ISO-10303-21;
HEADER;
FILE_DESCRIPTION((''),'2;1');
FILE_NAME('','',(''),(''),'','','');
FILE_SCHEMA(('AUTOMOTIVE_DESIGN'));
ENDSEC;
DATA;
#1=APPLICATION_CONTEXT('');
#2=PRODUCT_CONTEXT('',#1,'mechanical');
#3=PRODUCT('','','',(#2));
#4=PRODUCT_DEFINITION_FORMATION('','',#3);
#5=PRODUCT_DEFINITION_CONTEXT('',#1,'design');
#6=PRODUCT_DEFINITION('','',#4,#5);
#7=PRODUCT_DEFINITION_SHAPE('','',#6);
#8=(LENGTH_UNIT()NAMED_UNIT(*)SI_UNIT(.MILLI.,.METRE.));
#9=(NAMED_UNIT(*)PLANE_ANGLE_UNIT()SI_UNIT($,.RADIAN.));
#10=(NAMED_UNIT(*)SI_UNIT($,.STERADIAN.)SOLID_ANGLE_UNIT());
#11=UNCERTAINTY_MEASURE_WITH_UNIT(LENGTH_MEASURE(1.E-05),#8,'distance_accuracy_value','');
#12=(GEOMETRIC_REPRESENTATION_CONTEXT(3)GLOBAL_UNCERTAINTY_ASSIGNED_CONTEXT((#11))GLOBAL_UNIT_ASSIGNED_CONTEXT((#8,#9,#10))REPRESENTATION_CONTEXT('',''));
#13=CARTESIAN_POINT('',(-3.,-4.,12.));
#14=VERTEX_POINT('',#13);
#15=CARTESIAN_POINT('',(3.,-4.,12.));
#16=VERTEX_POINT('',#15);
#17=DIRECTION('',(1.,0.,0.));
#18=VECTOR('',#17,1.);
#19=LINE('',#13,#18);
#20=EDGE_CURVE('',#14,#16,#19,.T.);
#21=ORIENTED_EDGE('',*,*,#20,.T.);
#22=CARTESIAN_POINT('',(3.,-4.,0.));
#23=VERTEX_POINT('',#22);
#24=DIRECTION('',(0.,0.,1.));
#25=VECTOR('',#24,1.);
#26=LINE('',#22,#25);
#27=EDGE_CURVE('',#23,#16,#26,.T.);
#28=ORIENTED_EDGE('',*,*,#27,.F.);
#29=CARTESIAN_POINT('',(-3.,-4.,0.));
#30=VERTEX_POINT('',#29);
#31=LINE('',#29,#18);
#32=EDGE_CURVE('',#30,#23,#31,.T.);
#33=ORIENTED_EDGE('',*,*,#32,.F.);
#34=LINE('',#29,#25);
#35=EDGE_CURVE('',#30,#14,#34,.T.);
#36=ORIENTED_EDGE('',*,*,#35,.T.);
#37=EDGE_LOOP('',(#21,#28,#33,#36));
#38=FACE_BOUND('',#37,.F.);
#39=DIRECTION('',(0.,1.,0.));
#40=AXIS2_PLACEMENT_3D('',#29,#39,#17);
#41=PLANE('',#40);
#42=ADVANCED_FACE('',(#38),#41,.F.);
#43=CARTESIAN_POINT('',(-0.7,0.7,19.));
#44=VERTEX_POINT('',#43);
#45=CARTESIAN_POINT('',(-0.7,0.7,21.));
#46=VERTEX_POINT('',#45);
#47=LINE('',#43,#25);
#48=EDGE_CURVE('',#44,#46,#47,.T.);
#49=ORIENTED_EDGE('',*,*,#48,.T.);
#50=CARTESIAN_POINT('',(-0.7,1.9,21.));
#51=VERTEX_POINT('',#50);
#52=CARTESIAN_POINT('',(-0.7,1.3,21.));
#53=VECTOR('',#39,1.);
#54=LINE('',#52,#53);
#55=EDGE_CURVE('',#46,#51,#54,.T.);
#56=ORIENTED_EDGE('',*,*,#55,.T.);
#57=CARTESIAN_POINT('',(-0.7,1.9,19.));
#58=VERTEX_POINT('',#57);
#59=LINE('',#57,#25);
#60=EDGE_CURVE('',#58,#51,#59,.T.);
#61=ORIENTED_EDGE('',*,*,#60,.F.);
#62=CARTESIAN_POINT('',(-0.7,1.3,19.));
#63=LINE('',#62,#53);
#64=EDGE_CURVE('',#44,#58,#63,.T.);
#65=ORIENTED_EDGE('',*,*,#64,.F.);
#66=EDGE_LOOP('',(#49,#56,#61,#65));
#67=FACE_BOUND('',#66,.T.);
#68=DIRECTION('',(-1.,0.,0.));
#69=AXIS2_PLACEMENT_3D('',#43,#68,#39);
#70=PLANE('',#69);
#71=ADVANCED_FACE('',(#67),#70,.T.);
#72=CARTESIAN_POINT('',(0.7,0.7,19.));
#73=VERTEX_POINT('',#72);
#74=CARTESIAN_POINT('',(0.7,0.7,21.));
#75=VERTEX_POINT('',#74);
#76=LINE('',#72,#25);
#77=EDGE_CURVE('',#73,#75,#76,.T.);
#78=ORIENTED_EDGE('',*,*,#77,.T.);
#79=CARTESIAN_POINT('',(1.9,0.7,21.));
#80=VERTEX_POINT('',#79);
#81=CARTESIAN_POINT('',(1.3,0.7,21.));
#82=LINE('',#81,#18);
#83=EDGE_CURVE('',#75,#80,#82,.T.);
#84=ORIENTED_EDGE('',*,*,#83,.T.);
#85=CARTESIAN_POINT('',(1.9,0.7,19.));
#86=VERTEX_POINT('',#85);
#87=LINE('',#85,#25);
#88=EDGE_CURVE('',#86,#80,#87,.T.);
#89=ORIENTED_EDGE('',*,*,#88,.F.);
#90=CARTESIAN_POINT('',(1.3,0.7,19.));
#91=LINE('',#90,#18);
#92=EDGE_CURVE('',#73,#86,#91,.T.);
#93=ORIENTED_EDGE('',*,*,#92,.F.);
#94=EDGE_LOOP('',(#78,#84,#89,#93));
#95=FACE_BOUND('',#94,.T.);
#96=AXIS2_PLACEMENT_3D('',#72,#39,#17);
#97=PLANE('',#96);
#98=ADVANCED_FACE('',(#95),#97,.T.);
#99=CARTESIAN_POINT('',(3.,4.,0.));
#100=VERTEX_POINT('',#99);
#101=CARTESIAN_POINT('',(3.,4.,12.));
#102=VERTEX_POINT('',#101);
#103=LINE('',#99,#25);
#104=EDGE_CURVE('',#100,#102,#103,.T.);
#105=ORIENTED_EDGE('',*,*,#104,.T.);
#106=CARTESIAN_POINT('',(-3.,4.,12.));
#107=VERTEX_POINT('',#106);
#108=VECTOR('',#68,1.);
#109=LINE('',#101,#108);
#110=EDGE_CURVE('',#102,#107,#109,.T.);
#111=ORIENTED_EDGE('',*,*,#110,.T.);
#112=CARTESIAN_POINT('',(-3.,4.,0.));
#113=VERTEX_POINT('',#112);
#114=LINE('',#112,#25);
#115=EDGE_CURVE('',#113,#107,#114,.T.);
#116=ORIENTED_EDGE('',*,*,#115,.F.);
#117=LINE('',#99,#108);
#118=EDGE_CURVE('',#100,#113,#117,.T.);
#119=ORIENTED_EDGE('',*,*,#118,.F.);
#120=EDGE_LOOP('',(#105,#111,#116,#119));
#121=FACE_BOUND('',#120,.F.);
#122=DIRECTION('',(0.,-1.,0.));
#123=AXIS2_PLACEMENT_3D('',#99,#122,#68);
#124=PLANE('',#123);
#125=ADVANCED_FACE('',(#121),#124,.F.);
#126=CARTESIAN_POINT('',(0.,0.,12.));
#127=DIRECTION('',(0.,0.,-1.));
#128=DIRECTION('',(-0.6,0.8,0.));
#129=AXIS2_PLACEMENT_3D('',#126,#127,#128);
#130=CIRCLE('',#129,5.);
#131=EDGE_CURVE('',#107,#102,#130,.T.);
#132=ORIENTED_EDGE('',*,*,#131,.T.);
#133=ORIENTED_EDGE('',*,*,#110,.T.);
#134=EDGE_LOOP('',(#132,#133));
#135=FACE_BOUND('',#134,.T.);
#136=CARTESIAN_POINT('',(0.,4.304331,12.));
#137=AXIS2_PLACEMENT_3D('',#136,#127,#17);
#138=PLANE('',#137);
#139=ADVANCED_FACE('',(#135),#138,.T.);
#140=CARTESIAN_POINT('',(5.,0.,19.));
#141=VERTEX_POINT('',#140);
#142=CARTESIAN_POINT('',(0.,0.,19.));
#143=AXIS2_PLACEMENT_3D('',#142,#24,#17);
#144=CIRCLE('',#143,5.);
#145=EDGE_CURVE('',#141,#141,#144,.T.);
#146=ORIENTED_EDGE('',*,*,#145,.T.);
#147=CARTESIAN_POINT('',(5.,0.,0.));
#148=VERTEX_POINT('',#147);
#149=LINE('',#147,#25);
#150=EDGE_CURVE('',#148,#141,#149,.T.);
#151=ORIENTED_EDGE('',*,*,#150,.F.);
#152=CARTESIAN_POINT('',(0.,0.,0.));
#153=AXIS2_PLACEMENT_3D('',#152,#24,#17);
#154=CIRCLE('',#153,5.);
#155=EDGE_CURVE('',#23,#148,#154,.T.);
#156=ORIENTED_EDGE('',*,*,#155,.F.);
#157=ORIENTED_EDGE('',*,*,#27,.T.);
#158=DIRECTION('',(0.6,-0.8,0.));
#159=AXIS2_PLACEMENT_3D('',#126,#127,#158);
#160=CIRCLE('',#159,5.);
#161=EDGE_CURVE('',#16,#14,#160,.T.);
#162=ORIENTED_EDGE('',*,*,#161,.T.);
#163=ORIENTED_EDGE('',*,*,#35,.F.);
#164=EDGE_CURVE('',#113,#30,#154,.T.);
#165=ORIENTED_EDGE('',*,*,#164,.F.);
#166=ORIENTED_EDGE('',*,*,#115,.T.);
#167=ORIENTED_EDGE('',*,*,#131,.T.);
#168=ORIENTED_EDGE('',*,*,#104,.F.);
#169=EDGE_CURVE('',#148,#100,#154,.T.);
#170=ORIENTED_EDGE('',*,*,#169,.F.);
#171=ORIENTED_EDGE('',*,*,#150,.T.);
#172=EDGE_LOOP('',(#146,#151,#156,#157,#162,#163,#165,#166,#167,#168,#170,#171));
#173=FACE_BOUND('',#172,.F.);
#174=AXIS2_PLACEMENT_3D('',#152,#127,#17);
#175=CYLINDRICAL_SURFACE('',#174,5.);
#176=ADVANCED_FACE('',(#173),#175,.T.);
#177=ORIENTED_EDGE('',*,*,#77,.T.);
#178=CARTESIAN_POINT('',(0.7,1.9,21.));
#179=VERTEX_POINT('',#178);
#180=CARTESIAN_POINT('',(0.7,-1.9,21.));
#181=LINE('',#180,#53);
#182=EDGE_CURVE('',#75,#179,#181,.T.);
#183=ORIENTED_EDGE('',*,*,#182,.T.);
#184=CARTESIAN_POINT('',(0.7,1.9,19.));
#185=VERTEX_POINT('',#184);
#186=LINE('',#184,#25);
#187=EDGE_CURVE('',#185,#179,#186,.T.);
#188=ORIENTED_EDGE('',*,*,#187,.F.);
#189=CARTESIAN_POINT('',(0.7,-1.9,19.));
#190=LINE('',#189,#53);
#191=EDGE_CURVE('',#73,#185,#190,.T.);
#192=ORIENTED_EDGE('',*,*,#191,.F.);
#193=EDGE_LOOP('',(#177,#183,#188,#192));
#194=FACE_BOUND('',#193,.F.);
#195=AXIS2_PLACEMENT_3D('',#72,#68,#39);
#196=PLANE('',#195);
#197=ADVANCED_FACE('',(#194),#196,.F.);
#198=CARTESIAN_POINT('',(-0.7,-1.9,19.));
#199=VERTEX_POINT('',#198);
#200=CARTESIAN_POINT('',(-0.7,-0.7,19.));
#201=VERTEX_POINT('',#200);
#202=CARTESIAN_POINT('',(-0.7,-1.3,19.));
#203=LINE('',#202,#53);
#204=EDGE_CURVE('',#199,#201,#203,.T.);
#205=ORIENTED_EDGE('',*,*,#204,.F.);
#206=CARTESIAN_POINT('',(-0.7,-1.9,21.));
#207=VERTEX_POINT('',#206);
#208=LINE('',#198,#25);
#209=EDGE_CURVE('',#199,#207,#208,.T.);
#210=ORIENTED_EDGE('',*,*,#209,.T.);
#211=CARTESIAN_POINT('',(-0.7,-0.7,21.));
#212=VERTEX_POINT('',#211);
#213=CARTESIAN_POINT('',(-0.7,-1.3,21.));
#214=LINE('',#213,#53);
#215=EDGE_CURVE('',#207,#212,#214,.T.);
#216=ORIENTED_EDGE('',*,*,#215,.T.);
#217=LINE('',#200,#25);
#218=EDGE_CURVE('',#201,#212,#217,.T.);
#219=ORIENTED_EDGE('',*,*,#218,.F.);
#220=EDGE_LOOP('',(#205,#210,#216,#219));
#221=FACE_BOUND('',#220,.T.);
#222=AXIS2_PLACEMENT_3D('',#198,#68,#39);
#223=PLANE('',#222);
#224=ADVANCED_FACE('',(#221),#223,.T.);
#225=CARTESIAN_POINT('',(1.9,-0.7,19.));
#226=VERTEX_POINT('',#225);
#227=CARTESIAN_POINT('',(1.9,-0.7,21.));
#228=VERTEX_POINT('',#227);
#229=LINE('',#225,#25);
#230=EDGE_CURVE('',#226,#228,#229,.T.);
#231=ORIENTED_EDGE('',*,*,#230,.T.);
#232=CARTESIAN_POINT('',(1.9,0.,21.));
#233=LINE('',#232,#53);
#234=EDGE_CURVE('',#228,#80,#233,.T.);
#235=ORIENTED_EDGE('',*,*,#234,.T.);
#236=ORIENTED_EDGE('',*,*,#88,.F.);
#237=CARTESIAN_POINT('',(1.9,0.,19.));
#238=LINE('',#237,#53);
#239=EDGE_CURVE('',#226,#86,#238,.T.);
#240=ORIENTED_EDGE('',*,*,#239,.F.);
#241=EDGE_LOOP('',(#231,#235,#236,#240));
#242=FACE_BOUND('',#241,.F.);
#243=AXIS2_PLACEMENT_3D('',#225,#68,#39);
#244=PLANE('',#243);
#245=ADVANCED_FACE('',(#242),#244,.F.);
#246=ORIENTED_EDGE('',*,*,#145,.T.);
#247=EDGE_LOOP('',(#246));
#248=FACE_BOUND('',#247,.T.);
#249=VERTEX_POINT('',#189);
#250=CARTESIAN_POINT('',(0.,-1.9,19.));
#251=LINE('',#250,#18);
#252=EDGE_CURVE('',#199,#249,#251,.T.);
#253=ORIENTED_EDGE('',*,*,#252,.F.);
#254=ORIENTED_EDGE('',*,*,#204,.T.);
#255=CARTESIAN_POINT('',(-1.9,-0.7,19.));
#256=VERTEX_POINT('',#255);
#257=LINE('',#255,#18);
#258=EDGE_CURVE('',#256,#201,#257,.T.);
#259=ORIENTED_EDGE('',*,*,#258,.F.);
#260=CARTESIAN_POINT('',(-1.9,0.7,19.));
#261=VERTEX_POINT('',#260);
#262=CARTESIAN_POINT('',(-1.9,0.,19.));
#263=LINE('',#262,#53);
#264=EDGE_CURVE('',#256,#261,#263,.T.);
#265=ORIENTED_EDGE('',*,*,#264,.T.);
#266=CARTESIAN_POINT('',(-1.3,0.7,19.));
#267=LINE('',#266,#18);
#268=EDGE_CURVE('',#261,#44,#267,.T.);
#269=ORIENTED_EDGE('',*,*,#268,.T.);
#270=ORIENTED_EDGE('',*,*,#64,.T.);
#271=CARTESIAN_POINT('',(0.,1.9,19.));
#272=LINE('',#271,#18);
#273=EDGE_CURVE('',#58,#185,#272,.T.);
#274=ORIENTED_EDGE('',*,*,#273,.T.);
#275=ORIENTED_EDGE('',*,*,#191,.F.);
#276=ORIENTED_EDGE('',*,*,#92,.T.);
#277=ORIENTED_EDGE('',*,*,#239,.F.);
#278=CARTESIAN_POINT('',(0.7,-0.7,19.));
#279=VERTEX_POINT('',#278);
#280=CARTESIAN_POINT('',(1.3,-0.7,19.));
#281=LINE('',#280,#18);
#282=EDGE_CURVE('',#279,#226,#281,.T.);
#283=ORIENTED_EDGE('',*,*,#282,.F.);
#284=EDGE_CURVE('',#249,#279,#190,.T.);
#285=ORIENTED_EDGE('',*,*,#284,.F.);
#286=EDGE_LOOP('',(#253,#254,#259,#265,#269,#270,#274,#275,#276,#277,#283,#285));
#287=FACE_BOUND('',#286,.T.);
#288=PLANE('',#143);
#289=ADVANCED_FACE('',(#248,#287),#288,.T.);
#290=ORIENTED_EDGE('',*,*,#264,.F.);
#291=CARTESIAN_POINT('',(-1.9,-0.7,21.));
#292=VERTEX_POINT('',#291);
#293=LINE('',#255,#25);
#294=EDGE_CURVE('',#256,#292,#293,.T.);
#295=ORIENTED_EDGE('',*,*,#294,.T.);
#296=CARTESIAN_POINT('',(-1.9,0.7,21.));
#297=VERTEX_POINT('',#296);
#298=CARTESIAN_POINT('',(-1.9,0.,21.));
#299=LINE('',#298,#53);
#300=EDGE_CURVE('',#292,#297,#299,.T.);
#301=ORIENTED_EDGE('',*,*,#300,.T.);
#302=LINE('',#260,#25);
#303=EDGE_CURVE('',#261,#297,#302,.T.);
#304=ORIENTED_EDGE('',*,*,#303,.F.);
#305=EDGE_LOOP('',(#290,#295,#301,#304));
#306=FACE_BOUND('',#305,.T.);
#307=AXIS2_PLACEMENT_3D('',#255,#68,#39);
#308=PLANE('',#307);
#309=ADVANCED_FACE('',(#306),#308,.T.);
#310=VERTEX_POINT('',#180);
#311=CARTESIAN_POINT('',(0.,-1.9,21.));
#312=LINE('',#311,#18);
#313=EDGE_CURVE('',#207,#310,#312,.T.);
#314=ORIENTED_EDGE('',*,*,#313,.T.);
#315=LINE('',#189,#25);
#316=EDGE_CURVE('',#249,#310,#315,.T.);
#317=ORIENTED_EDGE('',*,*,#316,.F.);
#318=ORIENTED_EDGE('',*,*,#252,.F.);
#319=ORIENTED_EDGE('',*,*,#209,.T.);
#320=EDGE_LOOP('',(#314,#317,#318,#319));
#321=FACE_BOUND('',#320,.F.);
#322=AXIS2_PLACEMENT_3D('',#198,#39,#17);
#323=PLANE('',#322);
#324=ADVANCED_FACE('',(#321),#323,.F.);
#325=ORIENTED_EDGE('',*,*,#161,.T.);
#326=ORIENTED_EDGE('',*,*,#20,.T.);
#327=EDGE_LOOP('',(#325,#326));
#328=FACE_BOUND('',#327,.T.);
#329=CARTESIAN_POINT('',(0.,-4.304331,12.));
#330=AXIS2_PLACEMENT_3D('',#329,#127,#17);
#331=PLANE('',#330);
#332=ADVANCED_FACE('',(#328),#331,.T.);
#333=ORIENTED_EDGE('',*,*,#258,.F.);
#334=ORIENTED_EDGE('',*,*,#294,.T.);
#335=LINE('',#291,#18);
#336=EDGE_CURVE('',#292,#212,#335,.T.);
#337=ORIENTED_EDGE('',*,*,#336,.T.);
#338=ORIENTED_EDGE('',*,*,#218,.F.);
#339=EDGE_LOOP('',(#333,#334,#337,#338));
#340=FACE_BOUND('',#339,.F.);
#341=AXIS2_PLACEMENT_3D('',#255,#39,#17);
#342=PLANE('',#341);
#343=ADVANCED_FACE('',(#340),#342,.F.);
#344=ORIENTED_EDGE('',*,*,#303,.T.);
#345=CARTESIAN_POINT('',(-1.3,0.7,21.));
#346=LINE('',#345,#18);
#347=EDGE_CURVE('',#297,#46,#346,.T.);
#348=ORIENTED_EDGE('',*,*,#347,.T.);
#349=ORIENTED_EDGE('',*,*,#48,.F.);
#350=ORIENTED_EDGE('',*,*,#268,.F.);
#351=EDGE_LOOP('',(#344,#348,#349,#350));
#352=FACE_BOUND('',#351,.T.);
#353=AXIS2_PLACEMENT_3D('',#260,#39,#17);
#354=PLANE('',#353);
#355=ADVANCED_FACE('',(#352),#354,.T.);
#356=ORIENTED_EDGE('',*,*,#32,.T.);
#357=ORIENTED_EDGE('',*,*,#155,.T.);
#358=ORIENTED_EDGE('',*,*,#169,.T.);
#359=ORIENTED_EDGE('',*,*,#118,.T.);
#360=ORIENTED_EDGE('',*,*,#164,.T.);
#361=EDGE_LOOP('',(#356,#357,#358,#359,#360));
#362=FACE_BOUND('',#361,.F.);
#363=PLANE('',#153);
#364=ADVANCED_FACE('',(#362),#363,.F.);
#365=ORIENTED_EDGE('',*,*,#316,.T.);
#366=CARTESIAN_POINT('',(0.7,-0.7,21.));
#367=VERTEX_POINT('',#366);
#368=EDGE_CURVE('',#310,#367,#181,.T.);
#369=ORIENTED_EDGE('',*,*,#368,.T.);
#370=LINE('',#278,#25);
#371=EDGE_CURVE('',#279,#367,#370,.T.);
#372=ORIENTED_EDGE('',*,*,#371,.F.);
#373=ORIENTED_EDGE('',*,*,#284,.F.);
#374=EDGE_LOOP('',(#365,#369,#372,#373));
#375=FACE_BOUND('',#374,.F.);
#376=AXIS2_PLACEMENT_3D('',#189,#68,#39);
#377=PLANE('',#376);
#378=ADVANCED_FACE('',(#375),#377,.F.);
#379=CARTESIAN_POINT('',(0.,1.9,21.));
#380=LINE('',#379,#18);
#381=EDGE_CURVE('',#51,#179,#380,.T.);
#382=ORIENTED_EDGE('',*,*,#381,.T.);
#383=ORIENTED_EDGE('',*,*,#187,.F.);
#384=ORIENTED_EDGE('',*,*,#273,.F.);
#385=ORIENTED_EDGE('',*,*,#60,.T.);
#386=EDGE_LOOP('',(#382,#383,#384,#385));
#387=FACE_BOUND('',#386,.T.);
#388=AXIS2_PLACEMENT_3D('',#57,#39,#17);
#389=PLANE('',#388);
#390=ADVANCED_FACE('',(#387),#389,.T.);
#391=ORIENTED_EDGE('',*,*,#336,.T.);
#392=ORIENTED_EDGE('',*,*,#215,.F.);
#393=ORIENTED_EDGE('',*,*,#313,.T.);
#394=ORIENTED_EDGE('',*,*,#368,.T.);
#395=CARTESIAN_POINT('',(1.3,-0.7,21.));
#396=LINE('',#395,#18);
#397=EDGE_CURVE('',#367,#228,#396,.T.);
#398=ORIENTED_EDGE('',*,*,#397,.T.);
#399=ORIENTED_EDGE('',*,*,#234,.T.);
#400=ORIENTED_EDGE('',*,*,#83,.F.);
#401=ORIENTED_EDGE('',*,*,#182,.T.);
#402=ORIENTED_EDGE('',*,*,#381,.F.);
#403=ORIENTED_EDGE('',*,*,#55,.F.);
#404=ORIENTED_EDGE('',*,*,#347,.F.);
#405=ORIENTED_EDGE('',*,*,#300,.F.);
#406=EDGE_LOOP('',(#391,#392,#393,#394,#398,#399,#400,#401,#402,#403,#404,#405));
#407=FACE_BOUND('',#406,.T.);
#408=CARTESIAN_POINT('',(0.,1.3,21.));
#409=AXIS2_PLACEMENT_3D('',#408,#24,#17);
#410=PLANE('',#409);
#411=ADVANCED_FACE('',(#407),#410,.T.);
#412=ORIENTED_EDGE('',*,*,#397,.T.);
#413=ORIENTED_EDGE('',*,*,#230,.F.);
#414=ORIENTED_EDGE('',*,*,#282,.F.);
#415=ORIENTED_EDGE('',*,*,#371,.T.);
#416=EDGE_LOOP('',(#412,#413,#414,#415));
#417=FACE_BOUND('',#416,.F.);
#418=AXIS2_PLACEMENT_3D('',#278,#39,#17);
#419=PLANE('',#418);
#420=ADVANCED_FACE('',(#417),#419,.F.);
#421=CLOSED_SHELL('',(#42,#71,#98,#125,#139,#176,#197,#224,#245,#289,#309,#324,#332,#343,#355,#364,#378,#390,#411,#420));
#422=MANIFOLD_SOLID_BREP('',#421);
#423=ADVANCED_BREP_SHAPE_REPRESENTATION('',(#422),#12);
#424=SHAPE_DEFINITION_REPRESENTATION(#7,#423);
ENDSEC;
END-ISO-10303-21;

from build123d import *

# Parameters (mm, degrees)
F0_R     = 5
F1_DEPTH = 19
F3_DEPTH = 12
F4_W     = 1.4
F4_H     = 1.2
F4_W_2   = 1.2
F4_H_2   = 1.4
F5_DEPTH = 2


with BuildPart() as f1:
    # F0 (on Top) → F1 (new body)
    with BuildSketch(Plane.XY):
        Circle(F0_R)
    extrude(amount=F1_DEPTH)

    # F2 (on face) → F3 (cut)
    with BuildSketch(Plane(origin=(0, 0, 0), x_dir=(1, 0, 0), z_dir=(0, 0, -1))):
        with BuildLine():
            Line((-3, 4), (3, 4))
            ThreePointArc((3, 4), (0, 5), (-3, 4))
        make_face()
        with BuildLine():
            ThreePointArc((-3, -4), (0, -5), (3, -4))
            Line((3, -4), (-3, -4))
        make_face()
    extrude(amount=-F3_DEPTH, mode=Mode.SUBTRACT)

    # F4 (on face) → F5 (join)
    with BuildSketch(Plane.XY.offset(19)):
        with Locations((0, 1.3)):
            Rectangle(F4_W, F4_H)
        with Locations((-1.3, 0)):
            Rectangle(F4_W_2, F4_H_2)
        Rectangle(F4_W, F4_H_2)
        with Locations((0, -1.3)):
            Rectangle(F4_W, F4_H)
        with Locations((1.3, 0)):
            Rectangle(F4_W_2, F4_H_2)
    extrude(amount=F5_DEPTH)


solid = f1.part
